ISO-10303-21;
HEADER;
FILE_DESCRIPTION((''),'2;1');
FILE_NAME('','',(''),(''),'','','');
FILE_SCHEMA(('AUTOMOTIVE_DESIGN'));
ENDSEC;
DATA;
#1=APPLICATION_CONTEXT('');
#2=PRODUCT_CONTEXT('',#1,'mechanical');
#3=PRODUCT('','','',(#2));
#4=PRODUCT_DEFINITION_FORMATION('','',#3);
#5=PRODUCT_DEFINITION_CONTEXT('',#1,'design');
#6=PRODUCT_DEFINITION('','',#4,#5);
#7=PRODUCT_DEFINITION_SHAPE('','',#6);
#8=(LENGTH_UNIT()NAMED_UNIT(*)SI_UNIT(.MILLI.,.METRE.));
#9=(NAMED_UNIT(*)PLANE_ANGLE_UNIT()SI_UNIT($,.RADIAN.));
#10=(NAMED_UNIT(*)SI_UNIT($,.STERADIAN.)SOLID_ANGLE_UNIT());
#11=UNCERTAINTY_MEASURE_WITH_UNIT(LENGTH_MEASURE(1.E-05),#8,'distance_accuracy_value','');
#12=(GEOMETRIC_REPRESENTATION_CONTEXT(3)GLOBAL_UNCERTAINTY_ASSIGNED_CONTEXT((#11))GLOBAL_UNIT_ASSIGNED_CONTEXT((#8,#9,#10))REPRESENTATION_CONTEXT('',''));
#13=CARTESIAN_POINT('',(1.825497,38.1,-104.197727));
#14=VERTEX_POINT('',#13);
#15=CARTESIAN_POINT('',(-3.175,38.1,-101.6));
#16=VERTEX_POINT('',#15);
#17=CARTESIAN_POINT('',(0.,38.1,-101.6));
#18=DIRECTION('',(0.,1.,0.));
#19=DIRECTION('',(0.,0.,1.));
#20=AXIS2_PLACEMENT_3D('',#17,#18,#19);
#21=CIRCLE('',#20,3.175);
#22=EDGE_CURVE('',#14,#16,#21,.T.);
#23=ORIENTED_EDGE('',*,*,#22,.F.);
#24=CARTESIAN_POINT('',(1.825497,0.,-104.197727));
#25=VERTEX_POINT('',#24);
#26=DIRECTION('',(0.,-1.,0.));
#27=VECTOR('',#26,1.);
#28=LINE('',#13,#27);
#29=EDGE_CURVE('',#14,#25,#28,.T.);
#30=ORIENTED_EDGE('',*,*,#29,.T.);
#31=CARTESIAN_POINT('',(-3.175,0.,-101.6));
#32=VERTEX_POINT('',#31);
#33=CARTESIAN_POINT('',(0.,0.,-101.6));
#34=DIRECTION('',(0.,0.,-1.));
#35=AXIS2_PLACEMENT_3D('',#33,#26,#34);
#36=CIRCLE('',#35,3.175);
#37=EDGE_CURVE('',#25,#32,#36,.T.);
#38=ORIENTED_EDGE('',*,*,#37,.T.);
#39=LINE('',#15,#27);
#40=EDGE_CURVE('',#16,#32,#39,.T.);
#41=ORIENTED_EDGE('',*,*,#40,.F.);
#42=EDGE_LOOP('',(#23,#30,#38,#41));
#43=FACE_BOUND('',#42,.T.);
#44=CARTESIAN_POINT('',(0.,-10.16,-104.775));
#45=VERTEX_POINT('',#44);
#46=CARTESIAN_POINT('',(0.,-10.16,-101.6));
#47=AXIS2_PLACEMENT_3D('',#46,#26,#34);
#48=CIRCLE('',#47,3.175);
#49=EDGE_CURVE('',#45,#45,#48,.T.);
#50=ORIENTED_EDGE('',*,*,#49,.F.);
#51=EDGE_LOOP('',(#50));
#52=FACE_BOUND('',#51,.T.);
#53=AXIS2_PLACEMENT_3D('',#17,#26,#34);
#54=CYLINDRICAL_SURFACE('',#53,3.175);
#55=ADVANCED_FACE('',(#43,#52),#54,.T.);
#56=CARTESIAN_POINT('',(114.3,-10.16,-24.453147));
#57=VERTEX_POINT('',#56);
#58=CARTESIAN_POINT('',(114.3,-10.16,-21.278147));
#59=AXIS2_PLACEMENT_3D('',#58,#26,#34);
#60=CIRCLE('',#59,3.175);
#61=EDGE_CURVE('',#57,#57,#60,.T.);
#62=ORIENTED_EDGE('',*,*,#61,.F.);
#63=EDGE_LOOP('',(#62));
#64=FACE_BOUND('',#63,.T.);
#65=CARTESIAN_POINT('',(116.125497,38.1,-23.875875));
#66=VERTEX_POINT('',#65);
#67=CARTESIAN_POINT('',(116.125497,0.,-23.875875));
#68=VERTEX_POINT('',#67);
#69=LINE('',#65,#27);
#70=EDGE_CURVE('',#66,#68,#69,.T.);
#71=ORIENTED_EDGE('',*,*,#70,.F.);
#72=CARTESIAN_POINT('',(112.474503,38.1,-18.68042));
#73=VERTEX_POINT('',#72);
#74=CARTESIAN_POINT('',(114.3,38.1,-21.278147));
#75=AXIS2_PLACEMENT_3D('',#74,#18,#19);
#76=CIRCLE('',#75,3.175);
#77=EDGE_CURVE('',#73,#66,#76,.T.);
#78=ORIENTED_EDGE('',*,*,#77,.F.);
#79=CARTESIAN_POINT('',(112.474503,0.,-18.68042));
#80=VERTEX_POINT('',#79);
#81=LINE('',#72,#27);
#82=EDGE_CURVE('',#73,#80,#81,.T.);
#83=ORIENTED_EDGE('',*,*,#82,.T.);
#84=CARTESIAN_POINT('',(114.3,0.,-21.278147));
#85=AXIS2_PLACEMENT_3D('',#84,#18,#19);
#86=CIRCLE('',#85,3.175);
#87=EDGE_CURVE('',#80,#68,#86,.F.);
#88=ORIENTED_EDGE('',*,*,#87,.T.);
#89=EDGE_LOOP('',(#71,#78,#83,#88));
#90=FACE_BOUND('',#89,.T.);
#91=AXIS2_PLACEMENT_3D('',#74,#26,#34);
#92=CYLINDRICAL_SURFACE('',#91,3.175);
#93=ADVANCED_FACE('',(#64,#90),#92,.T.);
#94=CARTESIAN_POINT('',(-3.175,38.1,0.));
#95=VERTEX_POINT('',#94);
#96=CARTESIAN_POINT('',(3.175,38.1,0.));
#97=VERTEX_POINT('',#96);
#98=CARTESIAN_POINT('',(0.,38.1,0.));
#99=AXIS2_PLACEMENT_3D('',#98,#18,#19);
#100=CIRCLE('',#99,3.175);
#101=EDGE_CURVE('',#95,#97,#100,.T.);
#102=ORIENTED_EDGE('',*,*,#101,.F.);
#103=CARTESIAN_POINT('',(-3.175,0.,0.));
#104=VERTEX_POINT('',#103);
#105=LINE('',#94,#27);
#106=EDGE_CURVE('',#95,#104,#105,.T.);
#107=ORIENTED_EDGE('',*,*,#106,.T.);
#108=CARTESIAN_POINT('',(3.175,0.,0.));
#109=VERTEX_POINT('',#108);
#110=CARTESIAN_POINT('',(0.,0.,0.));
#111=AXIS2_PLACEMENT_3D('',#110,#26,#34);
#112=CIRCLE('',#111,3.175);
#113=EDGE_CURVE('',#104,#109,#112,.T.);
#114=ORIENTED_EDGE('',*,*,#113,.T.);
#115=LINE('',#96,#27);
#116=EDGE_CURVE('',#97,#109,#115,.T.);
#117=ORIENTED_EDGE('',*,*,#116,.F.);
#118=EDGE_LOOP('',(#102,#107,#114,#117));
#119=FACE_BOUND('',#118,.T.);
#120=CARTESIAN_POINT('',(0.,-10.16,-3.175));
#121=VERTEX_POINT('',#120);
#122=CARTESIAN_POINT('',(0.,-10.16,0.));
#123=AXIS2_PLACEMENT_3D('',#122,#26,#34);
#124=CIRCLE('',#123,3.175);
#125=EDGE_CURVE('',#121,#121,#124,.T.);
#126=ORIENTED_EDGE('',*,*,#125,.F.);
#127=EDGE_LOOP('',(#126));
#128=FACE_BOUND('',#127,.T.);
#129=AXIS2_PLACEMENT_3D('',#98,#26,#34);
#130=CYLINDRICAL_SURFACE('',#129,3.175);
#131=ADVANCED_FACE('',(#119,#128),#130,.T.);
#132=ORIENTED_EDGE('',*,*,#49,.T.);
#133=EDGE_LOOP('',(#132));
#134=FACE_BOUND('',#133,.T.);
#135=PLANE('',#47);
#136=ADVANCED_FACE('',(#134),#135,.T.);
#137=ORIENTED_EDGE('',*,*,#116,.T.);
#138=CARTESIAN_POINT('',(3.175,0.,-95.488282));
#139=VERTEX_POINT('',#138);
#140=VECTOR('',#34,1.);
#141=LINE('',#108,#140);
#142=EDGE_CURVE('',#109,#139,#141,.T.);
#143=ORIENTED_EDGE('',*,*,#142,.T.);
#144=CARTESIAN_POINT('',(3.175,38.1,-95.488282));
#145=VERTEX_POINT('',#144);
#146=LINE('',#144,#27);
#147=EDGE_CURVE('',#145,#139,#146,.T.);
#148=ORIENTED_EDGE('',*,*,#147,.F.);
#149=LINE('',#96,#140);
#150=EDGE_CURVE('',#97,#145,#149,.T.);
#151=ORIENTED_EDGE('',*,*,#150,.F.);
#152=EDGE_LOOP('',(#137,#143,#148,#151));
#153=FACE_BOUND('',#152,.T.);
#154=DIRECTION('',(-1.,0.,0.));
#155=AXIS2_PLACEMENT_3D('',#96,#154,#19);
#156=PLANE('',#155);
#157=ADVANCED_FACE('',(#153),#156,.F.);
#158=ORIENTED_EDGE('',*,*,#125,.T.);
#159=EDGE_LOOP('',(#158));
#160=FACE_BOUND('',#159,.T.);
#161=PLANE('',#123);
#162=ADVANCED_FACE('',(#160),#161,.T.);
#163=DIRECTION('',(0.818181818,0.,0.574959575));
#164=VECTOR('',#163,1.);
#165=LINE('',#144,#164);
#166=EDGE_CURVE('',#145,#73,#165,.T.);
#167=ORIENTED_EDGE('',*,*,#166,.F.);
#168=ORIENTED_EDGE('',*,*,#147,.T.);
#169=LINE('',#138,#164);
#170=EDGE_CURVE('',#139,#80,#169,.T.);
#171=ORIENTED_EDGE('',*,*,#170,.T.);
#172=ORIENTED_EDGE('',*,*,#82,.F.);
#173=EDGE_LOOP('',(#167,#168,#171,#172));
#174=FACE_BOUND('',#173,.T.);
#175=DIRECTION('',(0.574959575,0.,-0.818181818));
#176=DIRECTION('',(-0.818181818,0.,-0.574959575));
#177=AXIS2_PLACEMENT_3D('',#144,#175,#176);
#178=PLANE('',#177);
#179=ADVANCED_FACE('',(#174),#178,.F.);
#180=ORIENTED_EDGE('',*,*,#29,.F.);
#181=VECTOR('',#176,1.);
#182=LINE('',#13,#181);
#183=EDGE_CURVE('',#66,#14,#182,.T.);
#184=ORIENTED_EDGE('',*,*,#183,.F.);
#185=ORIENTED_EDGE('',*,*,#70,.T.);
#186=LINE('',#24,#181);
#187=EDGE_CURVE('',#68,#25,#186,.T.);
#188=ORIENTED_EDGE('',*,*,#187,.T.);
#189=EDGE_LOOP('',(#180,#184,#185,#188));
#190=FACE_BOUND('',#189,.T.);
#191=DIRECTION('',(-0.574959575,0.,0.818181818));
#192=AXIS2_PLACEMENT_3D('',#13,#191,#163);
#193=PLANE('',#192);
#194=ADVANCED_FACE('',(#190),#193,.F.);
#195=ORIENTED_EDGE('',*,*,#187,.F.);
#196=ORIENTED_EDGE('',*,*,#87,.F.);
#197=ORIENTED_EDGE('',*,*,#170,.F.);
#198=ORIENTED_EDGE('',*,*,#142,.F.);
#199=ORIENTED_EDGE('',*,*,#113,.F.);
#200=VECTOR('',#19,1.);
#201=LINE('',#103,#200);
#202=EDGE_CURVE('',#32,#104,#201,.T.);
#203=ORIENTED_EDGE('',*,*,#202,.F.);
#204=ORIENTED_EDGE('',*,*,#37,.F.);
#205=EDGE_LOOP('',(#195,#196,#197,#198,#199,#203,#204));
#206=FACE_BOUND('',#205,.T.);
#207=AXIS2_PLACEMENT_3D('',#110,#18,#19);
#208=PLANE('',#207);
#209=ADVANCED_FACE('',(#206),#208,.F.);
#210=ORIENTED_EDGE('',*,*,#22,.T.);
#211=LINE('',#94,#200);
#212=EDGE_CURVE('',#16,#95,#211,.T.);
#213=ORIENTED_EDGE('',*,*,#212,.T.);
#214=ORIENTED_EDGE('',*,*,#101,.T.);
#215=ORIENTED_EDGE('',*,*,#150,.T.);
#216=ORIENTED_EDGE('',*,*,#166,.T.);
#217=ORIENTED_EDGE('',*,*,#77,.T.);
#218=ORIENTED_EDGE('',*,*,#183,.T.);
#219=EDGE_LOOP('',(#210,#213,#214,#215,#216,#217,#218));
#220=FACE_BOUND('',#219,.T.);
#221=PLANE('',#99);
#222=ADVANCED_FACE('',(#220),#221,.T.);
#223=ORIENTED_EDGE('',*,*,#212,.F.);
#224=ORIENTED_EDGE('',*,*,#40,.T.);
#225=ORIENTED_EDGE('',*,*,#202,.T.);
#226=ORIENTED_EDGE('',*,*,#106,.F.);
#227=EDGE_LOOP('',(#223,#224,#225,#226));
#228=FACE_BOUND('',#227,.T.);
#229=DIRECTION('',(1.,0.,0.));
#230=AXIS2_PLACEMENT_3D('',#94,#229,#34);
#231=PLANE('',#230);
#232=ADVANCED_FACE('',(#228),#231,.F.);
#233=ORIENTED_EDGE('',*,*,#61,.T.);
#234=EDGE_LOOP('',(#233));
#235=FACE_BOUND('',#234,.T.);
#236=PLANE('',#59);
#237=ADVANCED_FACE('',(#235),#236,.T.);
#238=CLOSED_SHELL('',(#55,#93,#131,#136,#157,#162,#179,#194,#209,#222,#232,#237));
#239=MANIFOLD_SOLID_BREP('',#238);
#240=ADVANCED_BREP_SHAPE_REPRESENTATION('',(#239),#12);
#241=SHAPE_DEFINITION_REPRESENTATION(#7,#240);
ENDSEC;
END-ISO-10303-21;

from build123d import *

# Parameters (mm, degrees)
BOSS_EXTRUDE1_DEPTH = 38.1
BOSS_EXTRUDE2_START = 10.16
SKETCH2_R           = 3.175
BOSS_EXTRUDE2_DEPTH = 10.16


with BuildPart() as part:
    # Sketch1 → Boss-Extrude1 (new body)
    with BuildSketch(Plane(origin=(0, 0, 0), x_dir=(1, 0, 0), z_dir=(0, 1, 0))):
        with BuildLine():
            Line((-3.175, 0), (-3.175, 101.6))
            ThreePointArc((-3.175, 101.6), (-1.463672289, 104.417496838), (1.825496649, 104.197727273))
            Line((1.825496649, 104.197727273), (116.125496649, 23.875874704))
            ThreePointArc((116.125496649, 23.875874704), (116.897727273, 19.452650782), (112.474503351, 18.680420159))
            Line((112.474503351, 18.680420159), (3.175, 95.488281873))
            Line((3.175, 95.488281873), (3.175, 0))
            ThreePointArc((3.175, 0), (0, -3.175), (-3.175, 0))
        make_face()
    extrude(amount=BOSS_EXTRUDE1_DEPTH)

    # Sketch2 → Boss-Extrude2 (add)
    with BuildSketch(Plane(origin=(0, 0, 0), x_dir=(-1, 0, 0), z_dir=(0, -1, 0)).offset(BOSS_EXTRUDE2_START)):
        with Locations(Location((0, 0, 0), (0, 0, 90))):
            Circle(SKETCH2_R)
        with Locations(Location((0, 101.6, 0), (0, 0, 90))):
            Circle(SKETCH2_R)
        with Locations(Location((-114.3, 21.278147432, 0), (0, 0, 90))):
            Circle(SKETCH2_R)
    extrude(amount=-BOSS_EXTRUDE2_DEPTH)


solid = part.part
